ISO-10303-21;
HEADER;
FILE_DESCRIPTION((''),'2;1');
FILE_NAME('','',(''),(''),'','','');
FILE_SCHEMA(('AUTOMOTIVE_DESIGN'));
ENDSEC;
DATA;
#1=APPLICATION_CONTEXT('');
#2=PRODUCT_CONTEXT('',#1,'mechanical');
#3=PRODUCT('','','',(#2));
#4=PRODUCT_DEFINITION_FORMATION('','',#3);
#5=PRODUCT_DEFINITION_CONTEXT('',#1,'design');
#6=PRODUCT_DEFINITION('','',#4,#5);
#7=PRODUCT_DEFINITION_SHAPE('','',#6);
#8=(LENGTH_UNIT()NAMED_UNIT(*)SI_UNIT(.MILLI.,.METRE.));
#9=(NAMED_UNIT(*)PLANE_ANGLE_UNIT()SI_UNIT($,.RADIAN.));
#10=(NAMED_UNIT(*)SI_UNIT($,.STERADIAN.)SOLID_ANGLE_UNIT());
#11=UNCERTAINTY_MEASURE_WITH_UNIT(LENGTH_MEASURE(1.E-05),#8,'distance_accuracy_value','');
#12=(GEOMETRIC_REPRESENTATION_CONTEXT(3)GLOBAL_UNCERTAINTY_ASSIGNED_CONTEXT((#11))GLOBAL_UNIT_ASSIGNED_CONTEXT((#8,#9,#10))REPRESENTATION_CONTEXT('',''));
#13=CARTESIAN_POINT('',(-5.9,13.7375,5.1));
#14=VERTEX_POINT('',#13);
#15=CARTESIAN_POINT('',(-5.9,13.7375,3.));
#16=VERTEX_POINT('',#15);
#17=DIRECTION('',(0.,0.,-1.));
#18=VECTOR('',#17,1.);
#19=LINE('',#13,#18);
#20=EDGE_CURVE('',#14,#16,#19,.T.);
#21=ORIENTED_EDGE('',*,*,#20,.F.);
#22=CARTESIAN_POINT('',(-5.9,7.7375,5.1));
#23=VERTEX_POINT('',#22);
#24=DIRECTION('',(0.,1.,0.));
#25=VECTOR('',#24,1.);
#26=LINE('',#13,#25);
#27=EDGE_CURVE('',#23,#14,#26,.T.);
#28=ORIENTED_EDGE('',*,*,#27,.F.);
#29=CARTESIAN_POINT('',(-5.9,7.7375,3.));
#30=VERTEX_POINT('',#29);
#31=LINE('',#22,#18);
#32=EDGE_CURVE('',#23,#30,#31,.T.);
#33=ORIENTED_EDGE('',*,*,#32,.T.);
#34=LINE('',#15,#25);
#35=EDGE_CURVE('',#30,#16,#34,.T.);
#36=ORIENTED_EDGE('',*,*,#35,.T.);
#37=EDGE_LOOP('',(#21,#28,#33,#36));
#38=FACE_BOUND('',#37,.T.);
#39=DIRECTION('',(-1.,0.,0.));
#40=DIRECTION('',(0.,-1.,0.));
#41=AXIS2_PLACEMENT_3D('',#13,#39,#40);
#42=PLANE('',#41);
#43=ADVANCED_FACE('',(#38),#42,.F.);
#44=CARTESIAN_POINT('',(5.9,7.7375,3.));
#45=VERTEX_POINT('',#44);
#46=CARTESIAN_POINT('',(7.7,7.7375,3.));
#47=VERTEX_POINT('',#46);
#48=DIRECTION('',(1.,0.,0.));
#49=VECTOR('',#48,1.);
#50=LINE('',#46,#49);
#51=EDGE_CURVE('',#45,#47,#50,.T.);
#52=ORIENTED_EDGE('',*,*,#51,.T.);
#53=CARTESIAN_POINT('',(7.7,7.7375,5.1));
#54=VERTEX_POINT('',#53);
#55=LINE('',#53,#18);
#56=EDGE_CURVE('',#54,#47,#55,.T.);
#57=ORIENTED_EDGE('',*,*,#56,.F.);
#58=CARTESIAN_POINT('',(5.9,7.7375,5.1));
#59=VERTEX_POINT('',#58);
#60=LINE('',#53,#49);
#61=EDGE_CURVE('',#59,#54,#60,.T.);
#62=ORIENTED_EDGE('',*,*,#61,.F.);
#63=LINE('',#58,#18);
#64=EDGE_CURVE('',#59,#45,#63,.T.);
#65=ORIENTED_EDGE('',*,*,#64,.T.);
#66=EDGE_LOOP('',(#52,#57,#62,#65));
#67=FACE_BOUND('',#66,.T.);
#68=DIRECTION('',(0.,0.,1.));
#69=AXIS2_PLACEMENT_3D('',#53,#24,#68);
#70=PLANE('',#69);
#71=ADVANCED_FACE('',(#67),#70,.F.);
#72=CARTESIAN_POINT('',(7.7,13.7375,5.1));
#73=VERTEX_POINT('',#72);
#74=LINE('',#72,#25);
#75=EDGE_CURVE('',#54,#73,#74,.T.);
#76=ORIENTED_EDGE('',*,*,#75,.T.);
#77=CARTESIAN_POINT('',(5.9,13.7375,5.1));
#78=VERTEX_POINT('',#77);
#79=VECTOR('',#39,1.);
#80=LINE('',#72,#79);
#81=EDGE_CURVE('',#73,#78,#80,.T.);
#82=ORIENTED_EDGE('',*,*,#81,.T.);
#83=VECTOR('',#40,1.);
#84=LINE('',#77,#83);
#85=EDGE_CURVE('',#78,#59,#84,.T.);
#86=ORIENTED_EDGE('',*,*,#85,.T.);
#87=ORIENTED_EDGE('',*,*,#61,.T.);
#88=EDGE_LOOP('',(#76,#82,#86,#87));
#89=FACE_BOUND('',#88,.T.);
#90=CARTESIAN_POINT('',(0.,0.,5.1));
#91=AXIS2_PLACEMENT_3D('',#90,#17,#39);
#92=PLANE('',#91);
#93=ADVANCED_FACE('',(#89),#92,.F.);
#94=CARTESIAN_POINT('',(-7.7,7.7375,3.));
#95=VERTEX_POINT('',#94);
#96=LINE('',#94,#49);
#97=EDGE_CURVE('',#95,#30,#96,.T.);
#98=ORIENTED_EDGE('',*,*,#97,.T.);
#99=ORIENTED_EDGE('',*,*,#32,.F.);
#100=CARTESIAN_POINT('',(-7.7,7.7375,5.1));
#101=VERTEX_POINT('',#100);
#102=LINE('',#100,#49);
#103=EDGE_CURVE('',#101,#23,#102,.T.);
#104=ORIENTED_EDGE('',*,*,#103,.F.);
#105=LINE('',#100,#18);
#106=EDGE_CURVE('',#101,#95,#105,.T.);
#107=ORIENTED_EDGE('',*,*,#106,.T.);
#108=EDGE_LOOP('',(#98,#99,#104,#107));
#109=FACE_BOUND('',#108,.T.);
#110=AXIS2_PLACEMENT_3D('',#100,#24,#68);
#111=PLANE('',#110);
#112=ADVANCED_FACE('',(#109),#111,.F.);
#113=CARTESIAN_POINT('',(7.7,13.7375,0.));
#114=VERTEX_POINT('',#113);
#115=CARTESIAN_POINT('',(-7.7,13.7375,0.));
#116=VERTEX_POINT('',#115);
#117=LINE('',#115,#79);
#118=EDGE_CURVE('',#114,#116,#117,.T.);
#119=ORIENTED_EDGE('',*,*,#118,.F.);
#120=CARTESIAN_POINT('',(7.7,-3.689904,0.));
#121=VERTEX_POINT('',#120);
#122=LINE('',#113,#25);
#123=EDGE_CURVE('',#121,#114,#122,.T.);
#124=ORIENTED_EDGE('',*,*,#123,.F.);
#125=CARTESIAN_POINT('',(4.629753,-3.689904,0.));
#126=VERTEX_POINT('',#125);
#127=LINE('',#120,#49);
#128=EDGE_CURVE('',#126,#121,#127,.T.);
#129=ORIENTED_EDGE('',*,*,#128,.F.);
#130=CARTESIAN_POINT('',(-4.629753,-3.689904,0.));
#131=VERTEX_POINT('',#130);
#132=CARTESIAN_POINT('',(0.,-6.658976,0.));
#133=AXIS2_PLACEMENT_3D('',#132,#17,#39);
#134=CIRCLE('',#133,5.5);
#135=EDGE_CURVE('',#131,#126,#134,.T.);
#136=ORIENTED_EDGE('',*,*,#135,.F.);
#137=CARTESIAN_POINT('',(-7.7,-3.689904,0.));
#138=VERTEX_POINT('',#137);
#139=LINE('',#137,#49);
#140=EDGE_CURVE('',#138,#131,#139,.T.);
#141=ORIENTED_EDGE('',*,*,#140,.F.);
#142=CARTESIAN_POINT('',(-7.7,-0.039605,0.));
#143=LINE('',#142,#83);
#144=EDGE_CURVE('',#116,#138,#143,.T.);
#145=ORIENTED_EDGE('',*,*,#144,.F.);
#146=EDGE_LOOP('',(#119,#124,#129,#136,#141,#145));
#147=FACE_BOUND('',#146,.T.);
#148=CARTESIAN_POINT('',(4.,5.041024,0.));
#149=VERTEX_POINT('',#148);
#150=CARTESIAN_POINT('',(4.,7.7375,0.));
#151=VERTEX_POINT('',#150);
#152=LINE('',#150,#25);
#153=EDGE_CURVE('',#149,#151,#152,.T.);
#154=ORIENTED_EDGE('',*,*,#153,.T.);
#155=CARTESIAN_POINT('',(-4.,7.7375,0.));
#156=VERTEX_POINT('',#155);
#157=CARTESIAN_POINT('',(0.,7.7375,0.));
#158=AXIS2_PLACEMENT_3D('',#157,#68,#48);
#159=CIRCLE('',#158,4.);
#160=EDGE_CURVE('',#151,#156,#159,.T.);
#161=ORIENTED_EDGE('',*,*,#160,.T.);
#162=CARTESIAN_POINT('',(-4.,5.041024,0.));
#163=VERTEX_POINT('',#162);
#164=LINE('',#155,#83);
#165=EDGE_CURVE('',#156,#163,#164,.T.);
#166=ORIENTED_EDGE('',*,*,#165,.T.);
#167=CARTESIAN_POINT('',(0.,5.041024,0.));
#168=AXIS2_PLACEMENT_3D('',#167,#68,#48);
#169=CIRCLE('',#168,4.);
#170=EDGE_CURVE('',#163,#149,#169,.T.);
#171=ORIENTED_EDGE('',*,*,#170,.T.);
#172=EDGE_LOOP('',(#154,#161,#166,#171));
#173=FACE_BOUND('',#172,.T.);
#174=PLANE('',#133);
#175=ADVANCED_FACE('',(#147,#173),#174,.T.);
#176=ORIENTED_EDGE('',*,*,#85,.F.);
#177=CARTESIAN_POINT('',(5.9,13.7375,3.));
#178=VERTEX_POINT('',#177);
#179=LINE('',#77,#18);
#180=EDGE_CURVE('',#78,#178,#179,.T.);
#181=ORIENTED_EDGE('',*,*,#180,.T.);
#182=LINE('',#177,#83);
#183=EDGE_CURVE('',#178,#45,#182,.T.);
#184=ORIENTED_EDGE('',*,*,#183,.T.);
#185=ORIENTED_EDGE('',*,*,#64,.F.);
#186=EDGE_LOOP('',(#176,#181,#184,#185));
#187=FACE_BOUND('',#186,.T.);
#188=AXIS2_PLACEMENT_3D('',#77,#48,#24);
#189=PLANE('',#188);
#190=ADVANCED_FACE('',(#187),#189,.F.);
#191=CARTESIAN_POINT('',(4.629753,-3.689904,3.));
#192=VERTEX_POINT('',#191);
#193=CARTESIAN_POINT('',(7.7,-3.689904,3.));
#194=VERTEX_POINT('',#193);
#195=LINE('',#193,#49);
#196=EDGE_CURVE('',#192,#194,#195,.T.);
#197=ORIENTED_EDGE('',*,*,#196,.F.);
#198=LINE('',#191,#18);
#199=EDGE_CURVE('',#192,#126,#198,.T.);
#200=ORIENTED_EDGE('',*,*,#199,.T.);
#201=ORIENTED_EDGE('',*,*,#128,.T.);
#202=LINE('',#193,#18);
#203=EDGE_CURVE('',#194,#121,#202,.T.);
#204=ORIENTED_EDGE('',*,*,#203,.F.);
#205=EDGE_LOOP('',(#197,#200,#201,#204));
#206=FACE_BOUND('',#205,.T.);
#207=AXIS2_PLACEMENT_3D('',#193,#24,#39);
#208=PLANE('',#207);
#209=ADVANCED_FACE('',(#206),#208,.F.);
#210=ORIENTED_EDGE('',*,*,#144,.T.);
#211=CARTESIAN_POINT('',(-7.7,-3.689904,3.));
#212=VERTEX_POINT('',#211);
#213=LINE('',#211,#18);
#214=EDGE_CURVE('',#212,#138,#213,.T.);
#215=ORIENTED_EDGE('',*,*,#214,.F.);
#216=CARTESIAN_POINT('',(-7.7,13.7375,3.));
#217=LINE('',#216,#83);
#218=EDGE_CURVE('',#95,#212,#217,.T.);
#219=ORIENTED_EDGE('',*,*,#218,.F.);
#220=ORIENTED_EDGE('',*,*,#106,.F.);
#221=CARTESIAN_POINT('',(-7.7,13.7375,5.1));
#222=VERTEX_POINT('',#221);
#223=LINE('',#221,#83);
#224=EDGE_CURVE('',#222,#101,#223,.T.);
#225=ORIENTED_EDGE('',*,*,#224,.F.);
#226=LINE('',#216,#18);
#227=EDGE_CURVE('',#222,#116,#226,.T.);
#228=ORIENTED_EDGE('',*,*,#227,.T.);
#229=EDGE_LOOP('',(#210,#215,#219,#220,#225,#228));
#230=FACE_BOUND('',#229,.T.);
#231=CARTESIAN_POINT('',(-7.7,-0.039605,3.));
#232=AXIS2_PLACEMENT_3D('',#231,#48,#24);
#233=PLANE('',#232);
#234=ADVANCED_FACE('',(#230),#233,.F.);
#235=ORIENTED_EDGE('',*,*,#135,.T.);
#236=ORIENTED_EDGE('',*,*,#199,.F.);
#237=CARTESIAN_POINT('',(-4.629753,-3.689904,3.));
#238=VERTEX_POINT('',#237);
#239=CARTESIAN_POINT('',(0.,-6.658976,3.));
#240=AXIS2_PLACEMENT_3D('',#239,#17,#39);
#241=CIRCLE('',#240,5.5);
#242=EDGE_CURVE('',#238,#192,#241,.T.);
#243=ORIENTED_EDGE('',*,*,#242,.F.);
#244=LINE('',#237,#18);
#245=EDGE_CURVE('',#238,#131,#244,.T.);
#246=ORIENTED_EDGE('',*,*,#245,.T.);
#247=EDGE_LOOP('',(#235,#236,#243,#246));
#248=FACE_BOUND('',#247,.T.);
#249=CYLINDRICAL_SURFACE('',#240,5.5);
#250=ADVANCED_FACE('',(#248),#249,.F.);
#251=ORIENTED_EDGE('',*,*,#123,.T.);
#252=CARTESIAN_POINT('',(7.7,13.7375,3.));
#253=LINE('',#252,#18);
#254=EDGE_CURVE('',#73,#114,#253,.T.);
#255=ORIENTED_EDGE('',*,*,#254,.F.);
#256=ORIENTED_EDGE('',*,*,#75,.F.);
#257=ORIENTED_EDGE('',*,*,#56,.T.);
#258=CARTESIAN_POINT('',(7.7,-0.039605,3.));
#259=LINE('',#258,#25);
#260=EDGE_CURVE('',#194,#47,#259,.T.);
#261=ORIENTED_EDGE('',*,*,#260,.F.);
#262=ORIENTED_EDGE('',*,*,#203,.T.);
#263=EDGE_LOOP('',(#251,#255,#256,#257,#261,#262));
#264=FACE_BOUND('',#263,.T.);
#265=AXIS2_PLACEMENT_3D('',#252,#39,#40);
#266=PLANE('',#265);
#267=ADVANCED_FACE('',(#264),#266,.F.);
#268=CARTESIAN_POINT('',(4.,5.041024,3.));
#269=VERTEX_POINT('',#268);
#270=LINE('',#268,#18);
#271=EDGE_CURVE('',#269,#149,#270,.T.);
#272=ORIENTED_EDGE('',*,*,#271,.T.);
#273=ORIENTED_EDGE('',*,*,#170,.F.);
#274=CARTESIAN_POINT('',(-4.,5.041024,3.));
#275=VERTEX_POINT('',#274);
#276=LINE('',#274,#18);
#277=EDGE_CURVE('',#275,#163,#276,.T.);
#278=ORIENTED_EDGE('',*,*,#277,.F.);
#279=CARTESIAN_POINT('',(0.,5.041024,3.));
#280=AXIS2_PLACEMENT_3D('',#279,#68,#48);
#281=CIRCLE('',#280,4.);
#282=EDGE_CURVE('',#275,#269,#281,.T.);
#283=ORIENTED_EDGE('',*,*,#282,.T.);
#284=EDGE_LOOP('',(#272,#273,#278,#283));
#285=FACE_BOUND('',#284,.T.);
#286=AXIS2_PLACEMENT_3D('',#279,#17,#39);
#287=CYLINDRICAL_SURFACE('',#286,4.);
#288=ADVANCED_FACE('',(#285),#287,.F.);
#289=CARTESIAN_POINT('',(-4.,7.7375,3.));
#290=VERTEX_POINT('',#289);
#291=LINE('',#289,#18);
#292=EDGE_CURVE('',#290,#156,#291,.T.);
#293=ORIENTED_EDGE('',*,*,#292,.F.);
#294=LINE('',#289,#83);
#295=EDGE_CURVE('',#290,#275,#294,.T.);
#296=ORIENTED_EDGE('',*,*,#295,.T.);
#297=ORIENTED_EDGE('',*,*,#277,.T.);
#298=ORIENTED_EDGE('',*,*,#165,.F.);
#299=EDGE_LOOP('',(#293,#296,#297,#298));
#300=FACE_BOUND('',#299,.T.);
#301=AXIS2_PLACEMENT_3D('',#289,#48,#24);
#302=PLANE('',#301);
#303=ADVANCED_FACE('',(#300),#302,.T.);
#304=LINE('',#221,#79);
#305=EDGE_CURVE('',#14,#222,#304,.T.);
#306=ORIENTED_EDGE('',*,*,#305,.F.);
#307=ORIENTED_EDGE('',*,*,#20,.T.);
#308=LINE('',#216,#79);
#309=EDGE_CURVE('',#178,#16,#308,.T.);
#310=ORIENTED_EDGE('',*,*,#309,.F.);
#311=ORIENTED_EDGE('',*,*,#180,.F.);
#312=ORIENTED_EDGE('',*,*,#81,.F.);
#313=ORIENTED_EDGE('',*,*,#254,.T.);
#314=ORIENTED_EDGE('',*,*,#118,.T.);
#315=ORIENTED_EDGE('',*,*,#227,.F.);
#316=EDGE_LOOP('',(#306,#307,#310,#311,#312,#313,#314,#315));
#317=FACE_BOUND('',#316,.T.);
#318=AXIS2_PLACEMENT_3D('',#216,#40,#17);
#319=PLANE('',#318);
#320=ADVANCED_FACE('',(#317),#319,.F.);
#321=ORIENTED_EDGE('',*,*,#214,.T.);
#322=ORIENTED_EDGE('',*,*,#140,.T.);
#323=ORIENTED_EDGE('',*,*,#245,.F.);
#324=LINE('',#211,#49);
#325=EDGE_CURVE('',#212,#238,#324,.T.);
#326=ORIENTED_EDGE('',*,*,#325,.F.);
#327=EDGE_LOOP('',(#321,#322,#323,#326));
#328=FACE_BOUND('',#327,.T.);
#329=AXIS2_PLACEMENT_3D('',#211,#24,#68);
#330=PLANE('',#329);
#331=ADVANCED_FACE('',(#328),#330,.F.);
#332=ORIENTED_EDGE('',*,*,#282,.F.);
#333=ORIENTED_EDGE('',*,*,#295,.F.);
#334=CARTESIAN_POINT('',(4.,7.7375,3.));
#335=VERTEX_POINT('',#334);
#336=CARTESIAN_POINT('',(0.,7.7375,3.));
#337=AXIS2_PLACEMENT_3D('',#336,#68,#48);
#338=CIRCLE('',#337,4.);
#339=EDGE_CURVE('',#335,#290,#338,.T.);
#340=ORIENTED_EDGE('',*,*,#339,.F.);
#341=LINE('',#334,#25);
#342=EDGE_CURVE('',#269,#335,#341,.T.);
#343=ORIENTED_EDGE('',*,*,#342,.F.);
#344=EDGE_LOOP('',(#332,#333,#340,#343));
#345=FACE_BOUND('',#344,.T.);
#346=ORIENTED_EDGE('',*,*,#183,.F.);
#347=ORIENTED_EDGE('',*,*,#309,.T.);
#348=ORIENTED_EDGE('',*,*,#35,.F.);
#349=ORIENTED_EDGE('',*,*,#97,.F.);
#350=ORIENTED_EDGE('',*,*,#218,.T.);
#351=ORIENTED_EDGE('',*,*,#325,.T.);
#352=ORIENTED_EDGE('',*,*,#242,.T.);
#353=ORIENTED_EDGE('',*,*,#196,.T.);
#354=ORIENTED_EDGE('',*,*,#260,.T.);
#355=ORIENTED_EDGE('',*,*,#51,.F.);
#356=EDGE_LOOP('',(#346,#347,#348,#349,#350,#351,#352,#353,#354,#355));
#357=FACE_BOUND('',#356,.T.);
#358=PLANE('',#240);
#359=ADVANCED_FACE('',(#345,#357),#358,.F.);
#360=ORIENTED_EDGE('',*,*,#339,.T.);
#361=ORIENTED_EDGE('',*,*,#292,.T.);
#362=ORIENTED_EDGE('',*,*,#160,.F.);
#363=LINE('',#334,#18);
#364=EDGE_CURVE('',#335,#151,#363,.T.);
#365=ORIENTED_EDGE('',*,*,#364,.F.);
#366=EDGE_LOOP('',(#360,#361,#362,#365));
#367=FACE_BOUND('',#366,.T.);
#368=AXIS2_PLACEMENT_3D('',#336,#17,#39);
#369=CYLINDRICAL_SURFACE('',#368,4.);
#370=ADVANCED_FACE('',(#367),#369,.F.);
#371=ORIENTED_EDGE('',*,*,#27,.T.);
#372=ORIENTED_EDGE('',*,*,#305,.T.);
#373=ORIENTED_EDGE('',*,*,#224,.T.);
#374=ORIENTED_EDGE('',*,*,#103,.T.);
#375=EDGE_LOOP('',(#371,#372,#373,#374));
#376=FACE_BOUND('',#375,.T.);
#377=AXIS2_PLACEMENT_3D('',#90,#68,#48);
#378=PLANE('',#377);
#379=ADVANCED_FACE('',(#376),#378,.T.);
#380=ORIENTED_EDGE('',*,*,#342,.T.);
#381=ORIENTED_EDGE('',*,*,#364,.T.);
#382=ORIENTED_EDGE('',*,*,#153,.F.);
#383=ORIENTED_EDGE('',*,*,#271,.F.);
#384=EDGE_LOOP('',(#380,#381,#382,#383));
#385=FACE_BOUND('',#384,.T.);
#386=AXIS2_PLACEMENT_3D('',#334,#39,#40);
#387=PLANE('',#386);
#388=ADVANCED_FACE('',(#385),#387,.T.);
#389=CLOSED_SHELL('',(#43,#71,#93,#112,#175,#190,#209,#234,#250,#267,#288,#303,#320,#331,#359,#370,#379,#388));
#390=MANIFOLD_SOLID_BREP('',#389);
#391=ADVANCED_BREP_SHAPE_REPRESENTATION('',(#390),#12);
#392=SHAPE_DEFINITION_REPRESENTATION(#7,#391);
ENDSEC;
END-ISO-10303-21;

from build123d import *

# Parameters (mm, degrees)
EXTRUDE_1_DEPTH = 3
SKETCH_2_W      = 1.8
SKETCH_2_H      = 6
EXTRUDE_2_DEPTH = 2.1


with BuildPart() as part:
    # Эскиз1 → Бобышка-Вытянуть1 (new body)
    with BuildSketch(Plane.XY):
        with BuildLine():
            Line((-7.7, 13.737499607), (7.7, 13.737499607))
            Line((7.7, 13.737499607), (7.7, -0.039604792))
            Line((7.7, -0.039604792), (7.7, -3.689904326))
            Line((7.7, -3.689904326), (4.629752886, -3.689904326))
            ThreePointArc((4.629752886, -3.689904326), (0, -1.158976271), (-4.629752886, -3.689904326))
            Line((-4.629752886, -3.689904326), (-7.7, -3.689904326))
            Line((-7.7, -3.689904326), (-7.7, -0.039604792))
            Line((-7.7, -0.039604792), (-7.7, 13.737499607))
        make_face()
        with BuildLine():
            Line((4, 7.737499607), (4, 5.041023729))
            ThreePointArc((4, 5.041023729), (0, 1.041023729), (-4, 5.041023729))
            Line((-4, 5.041023729), (-4, 7.737499607))
            ThreePointArc((-4, 7.737499607), (0, 11.737499607), (4, 7.737499607))
        make_face(mode=Mode.SUBTRACT)
    extrude(amount=EXTRUDE_1_DEPTH)

    # Эскиз2 → Бобышка-Вытянуть2 (add)
    with BuildSketch(Plane.XY.offset(3)):
        with Locations((-6.8, 10.737499607)):
            Rectangle(SKETCH_2_W, SKETCH_2_H)
        with Locations((6.8, 10.737499607)):
            Rectangle(SKETCH_2_W, SKETCH_2_H)
    extrude(amount=EXTRUDE_2_DEPTH)


solid = part.part
